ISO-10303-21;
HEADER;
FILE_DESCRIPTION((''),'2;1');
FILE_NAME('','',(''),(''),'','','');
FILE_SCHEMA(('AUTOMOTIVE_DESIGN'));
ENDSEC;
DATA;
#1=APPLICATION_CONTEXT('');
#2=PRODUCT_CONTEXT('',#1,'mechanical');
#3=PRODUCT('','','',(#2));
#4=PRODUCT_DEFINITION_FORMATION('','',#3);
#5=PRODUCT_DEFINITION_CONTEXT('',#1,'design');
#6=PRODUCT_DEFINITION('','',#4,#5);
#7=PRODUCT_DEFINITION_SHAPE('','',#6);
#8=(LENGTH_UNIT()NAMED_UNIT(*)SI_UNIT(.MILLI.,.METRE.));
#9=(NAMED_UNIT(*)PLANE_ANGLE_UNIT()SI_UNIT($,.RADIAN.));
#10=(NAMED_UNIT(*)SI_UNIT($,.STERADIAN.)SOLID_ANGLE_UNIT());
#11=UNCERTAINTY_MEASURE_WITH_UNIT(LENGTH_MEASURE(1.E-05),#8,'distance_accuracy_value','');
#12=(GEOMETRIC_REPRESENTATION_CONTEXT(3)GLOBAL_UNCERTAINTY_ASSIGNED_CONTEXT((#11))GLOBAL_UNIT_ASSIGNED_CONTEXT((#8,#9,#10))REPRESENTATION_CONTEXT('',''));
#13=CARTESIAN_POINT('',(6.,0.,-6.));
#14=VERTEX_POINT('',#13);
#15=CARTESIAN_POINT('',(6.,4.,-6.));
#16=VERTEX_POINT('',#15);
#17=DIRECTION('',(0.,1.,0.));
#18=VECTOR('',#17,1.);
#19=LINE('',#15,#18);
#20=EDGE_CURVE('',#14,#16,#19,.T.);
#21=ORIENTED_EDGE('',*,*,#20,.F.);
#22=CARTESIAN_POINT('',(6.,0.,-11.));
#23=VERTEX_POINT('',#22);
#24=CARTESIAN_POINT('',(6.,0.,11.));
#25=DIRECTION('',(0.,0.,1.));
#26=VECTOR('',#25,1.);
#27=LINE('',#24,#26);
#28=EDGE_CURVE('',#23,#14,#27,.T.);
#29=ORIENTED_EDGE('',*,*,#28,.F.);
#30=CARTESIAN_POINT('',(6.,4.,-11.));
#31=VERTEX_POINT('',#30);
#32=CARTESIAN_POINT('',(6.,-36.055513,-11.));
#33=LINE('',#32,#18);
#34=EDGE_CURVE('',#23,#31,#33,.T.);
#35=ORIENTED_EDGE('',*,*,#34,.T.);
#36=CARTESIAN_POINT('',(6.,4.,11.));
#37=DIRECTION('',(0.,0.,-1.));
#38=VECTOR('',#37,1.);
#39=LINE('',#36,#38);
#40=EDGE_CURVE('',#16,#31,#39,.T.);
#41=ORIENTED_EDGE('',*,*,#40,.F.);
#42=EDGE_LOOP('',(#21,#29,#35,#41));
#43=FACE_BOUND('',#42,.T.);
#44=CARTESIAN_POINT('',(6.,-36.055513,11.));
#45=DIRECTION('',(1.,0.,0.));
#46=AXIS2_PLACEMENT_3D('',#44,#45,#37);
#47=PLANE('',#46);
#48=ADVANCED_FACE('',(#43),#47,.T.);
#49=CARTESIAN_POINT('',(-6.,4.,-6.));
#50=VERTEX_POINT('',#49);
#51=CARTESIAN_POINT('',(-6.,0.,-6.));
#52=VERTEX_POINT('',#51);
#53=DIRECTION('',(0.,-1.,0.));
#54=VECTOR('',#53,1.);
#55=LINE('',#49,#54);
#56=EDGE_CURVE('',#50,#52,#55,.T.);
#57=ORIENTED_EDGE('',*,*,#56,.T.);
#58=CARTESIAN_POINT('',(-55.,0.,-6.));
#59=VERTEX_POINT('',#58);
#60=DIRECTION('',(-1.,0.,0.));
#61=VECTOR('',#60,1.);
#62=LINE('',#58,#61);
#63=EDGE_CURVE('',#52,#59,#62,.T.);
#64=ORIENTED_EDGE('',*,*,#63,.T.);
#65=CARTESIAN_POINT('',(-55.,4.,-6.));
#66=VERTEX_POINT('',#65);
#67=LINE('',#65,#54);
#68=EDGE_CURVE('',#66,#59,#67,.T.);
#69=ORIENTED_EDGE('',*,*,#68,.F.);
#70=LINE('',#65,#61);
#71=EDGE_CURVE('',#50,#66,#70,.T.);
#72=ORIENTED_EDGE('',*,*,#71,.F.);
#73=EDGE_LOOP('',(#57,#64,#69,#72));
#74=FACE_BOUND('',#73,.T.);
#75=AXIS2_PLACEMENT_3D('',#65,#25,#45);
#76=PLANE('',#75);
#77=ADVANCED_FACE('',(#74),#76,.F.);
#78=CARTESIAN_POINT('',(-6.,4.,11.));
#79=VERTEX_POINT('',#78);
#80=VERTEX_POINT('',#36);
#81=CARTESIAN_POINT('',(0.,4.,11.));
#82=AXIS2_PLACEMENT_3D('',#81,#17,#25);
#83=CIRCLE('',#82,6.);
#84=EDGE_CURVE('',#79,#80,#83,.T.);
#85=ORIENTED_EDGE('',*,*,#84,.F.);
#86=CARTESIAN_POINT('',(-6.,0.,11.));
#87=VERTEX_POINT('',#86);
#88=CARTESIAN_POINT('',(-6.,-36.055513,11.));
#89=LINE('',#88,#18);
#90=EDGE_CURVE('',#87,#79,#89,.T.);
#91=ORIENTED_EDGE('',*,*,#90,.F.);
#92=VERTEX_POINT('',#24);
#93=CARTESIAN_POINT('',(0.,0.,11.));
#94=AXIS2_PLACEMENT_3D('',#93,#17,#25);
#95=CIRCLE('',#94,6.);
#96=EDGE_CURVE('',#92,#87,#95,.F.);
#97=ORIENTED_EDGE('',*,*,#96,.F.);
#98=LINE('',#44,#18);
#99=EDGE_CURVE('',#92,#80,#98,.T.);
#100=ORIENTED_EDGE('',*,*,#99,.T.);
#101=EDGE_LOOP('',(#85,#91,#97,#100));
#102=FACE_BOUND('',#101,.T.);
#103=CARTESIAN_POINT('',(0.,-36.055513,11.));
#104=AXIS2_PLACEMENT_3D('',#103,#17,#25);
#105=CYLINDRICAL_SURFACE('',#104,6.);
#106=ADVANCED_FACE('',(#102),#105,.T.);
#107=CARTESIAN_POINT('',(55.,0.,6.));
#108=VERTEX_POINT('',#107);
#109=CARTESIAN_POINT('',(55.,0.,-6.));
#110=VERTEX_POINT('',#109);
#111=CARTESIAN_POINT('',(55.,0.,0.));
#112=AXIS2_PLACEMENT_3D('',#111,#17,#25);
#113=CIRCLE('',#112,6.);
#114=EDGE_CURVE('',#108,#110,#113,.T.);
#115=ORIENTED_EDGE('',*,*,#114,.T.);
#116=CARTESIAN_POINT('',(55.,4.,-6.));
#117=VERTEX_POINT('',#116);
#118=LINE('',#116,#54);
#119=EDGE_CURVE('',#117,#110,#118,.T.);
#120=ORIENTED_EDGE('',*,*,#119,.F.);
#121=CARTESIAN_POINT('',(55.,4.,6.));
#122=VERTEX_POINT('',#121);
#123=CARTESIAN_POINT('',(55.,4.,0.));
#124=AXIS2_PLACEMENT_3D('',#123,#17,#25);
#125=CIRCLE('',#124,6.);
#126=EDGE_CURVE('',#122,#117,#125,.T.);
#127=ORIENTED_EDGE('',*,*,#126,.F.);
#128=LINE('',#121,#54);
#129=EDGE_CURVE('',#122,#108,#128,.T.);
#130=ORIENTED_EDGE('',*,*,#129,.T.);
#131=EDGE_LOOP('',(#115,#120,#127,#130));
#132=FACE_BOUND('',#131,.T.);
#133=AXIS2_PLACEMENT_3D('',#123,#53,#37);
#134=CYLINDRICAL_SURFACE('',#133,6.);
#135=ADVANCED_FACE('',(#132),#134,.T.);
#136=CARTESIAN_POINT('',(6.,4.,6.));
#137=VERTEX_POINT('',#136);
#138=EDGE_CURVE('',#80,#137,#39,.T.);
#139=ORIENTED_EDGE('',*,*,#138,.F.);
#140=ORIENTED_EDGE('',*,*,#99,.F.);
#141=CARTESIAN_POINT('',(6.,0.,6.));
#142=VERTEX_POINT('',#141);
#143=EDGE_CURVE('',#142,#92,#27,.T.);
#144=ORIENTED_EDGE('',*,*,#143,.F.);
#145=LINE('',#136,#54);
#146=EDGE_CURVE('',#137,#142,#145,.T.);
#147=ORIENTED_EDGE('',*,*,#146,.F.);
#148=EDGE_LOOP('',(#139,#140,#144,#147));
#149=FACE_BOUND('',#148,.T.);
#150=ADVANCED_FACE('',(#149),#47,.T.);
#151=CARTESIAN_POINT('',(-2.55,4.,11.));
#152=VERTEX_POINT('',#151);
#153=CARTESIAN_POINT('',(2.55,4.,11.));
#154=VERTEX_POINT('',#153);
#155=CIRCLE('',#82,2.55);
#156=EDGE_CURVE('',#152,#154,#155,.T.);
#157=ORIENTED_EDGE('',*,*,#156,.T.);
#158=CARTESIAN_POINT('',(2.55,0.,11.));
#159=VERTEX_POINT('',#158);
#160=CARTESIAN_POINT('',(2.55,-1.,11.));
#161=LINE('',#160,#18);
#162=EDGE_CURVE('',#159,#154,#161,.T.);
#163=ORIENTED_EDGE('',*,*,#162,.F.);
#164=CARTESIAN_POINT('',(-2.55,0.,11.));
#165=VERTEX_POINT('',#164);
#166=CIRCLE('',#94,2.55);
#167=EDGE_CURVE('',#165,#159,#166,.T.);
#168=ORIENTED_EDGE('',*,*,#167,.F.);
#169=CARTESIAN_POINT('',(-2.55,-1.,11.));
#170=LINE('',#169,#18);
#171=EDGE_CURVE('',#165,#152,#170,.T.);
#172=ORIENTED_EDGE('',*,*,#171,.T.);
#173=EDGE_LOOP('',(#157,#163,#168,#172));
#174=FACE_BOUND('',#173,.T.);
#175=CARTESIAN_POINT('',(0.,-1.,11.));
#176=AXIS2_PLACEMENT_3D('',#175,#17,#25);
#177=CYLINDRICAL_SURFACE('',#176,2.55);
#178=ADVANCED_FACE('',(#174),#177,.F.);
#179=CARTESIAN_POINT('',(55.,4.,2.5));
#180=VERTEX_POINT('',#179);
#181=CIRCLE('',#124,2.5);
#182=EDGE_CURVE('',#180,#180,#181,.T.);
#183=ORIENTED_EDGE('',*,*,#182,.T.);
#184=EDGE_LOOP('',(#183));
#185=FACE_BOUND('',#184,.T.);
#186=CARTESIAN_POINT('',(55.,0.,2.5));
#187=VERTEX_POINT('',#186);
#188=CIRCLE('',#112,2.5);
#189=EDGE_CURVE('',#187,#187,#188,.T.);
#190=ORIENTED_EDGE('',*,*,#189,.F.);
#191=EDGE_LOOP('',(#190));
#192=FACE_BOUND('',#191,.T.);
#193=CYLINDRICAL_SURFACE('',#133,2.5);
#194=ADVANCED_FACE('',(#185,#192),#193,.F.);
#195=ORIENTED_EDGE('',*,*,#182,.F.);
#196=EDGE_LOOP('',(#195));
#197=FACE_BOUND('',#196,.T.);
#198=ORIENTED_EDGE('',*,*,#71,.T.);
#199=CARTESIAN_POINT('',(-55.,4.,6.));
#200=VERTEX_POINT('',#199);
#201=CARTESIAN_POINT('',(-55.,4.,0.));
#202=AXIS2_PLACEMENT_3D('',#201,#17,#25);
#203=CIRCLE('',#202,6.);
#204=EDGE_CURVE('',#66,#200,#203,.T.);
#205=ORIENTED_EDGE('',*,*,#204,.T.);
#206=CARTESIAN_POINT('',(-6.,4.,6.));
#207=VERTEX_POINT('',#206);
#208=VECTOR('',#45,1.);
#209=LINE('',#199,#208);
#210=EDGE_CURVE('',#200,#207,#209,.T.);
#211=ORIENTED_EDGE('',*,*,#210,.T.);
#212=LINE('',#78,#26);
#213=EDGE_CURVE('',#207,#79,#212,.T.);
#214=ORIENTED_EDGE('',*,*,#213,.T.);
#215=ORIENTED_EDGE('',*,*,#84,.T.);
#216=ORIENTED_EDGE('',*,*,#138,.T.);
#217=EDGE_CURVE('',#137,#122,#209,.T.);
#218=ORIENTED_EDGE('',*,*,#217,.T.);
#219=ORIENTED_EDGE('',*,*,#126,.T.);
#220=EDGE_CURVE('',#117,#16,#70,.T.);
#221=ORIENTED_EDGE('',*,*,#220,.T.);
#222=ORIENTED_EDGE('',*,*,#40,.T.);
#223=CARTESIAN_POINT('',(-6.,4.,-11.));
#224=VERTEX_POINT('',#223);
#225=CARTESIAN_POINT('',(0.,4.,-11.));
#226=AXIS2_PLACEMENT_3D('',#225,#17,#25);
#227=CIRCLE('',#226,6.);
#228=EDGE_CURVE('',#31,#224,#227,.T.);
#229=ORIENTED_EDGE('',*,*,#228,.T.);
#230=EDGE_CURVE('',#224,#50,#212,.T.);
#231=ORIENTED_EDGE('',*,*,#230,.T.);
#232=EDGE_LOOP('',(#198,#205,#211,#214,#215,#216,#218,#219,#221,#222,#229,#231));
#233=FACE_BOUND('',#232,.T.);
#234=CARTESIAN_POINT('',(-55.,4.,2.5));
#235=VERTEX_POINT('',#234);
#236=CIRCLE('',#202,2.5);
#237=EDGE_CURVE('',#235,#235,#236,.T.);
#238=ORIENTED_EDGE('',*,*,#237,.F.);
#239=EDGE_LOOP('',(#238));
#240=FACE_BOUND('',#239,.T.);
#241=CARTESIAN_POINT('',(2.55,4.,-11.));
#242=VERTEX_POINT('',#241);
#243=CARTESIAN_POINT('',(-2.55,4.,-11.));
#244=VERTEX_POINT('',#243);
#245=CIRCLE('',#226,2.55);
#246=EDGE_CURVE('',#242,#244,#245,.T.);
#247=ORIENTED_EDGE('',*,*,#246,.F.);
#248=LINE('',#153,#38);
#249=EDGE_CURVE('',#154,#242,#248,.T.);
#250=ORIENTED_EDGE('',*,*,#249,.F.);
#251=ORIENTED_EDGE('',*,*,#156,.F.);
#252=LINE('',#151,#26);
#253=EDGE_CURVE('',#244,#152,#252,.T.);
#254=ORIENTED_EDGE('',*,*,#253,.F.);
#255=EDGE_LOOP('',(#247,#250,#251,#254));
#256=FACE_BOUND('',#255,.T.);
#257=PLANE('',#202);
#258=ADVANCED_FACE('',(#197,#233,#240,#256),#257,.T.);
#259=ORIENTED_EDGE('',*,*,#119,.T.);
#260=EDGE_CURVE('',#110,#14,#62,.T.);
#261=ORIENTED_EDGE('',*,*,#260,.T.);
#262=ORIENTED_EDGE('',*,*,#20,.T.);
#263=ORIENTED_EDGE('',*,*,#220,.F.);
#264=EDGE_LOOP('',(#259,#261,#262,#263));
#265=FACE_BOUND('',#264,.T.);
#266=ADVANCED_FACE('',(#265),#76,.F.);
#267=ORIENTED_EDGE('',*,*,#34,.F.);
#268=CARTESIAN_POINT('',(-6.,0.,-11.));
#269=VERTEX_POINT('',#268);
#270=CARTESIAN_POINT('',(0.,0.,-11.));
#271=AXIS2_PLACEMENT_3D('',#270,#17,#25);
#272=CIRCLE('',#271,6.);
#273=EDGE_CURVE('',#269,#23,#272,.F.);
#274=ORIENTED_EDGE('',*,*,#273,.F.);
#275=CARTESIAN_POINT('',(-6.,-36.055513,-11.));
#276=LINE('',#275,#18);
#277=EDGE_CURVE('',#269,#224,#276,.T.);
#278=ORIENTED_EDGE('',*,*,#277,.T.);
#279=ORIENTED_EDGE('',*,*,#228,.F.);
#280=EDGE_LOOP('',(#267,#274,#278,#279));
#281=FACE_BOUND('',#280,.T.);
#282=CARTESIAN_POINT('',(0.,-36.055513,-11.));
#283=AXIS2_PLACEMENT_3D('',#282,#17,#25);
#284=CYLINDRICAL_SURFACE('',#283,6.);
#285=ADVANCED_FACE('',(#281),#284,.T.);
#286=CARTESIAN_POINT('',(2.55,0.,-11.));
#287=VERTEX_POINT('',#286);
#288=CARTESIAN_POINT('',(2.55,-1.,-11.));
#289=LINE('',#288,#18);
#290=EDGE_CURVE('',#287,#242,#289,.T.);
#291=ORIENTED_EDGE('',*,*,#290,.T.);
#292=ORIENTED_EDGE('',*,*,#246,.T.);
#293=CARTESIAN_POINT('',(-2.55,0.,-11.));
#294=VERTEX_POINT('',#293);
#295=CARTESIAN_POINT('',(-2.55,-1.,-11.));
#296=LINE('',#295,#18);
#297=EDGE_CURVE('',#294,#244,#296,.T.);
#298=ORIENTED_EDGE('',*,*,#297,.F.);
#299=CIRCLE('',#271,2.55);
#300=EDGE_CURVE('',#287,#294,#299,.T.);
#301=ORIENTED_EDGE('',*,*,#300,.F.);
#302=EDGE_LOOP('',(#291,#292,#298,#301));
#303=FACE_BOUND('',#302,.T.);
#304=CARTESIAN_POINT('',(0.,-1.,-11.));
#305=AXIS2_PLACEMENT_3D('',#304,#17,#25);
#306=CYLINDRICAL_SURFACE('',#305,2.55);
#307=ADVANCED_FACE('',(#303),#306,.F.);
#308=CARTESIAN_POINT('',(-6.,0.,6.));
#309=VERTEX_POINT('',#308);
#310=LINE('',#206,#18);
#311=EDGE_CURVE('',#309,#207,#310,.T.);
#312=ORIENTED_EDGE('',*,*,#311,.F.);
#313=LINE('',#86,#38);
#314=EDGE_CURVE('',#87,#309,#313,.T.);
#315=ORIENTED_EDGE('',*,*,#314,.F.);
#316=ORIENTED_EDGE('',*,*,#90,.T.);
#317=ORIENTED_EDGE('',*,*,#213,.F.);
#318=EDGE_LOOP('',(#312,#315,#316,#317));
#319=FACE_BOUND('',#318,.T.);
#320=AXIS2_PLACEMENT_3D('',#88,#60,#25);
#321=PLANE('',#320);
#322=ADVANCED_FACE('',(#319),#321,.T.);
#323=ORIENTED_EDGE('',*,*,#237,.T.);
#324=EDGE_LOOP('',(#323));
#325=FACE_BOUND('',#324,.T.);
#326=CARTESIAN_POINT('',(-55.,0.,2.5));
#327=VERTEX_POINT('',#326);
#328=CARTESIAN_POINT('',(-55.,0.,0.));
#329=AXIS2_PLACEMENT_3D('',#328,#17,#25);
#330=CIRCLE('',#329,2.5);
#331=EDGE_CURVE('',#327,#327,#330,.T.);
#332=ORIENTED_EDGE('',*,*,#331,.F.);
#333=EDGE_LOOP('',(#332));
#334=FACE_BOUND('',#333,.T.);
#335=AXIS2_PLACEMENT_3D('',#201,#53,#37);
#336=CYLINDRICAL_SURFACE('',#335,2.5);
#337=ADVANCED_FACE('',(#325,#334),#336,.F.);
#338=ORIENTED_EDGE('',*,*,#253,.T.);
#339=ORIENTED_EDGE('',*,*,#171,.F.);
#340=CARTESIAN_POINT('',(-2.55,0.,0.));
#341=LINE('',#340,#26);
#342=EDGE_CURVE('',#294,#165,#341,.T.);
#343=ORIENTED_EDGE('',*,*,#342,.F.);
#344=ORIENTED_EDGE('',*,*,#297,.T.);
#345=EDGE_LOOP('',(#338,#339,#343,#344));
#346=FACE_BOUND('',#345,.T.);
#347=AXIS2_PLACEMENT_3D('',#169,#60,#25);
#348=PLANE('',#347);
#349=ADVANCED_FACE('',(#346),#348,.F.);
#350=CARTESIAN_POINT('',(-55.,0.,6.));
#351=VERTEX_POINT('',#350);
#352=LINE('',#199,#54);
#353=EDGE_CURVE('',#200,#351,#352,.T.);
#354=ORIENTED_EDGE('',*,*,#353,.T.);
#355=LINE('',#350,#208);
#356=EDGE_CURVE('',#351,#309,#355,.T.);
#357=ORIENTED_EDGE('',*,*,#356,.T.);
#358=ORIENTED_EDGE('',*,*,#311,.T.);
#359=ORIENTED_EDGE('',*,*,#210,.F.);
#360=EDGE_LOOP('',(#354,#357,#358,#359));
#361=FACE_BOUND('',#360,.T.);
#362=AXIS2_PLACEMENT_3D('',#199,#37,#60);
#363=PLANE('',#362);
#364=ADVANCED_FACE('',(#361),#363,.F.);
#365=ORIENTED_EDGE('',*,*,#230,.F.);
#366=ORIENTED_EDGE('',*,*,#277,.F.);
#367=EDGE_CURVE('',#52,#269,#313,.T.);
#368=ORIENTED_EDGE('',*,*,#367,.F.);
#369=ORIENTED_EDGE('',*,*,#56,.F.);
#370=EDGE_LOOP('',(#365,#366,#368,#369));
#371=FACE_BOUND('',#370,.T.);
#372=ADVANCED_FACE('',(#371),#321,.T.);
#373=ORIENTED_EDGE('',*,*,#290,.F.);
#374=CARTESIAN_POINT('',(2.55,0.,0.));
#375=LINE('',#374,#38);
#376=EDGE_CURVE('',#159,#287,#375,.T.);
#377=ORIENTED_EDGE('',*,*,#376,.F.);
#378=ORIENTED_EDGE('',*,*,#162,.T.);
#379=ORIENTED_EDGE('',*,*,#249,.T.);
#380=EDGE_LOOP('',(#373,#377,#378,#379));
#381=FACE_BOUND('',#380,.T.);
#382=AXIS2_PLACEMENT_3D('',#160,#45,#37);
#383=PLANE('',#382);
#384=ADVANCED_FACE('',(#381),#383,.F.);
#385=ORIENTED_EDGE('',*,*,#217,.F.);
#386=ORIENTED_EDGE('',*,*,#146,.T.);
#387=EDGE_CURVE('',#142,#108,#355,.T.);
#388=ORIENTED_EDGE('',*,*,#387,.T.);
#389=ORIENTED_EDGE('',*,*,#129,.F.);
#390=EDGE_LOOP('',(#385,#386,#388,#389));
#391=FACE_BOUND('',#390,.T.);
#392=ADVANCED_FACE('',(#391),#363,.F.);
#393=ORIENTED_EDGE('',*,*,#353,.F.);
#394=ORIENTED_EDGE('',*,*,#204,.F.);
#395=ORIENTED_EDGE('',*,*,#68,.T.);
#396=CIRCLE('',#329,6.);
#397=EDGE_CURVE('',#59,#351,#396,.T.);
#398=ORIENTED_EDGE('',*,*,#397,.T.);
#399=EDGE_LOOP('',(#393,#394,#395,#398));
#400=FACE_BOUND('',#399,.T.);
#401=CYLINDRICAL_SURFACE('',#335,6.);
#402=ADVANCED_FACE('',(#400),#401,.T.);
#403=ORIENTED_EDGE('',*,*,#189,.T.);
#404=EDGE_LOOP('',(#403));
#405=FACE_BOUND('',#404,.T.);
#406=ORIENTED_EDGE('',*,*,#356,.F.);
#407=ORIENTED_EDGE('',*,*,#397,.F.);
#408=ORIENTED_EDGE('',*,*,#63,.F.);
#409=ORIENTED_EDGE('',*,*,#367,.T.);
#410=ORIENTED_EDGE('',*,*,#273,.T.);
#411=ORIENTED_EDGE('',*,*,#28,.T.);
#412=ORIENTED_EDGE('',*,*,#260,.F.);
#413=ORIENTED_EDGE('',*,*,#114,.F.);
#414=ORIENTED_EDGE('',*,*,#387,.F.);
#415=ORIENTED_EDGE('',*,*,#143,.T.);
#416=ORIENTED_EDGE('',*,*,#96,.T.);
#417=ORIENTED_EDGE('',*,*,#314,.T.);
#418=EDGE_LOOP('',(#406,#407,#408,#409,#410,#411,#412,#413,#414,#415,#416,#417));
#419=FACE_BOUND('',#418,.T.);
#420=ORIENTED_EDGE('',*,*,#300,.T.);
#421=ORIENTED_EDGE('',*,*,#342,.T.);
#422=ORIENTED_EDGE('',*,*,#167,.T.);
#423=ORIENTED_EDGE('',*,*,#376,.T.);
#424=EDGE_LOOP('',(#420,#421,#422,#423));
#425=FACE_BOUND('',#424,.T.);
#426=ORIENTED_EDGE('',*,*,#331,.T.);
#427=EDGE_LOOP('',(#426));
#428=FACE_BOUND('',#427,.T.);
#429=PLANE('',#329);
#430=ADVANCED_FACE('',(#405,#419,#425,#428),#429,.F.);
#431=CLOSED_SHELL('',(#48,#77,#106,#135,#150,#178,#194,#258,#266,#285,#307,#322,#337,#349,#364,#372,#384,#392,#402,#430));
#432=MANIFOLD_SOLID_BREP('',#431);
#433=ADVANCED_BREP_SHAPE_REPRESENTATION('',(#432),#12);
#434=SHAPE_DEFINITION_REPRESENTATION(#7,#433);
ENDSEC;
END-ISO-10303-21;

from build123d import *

# Parameters (mm, degrees)
SKETCH_1_R          = 2.5
EXTRUDE_1_DEPTH     = 4
EXTRUDE_2_DEPTH     = 4
CUT_EXTRUDE_1_DEPTH = 5


with BuildPart() as part:
    # 草图1 → 凸台-拉伸1 (new body)
    with BuildSketch(Plane(origin=(0, 0, 0), x_dir=(1, 0, 0), z_dir=(0, 1, 0))):
        with BuildLine():
            Line((-55, 6), (55, 6))
            ThreePointArc((55, 6), (61, 0), (55, -6))
            Line((55, -6), (-55, -6))
            ThreePointArc((-55, -6), (-61, 0), (-55, 6))
        make_face()
        with Locations(Location((55, 0, 0), (0, 0, 270))):
            Circle(SKETCH_1_R, mode=Mode.SUBTRACT)
        with Locations(Location((-55, 0, 0), (0, 0, 270))):
            Circle(SKETCH_1_R, mode=Mode.SUBTRACT)
    extrude(amount=EXTRUDE_1_DEPTH)

    # 草图2 → 凸台-拉伸2 (add)
    with BuildSketch(Plane(origin=(0, 4, 0), x_dir=(1, 0, 0), z_dir=(0, 1, 0))):
        with BuildLine():
            Line((-6, -11), (-6, 11))
            ThreePointArc((-6, 11), (0, 17), (6, 11))
            Line((6, 11), (6, -11))
            ThreePointArc((6, -11), (0, -17), (-6, -11))
        make_face()
    extrude(amount=-EXTRUDE_2_DEPTH)

    # 草图3 → 切除-拉伸1 (cut)
    with BuildSketch(Plane(origin=(0, 4, 0), x_dir=(1, 0, 0), z_dir=(0, 1, 0))):
        with BuildLine():
            Line((-2.55, -11), (-2.55, 11))
            ThreePointArc((-2.55, 11), (0, 13.55), (2.55, 11))
            Line((2.55, 11), (2.55, -11))
            ThreePointArc((2.55, -11), (0, -13.55), (-2.55, -11))
        make_face()
    extrude(amount=-CUT_EXTRUDE_1_DEPTH, mode=Mode.SUBTRACT)


solid = part.part
